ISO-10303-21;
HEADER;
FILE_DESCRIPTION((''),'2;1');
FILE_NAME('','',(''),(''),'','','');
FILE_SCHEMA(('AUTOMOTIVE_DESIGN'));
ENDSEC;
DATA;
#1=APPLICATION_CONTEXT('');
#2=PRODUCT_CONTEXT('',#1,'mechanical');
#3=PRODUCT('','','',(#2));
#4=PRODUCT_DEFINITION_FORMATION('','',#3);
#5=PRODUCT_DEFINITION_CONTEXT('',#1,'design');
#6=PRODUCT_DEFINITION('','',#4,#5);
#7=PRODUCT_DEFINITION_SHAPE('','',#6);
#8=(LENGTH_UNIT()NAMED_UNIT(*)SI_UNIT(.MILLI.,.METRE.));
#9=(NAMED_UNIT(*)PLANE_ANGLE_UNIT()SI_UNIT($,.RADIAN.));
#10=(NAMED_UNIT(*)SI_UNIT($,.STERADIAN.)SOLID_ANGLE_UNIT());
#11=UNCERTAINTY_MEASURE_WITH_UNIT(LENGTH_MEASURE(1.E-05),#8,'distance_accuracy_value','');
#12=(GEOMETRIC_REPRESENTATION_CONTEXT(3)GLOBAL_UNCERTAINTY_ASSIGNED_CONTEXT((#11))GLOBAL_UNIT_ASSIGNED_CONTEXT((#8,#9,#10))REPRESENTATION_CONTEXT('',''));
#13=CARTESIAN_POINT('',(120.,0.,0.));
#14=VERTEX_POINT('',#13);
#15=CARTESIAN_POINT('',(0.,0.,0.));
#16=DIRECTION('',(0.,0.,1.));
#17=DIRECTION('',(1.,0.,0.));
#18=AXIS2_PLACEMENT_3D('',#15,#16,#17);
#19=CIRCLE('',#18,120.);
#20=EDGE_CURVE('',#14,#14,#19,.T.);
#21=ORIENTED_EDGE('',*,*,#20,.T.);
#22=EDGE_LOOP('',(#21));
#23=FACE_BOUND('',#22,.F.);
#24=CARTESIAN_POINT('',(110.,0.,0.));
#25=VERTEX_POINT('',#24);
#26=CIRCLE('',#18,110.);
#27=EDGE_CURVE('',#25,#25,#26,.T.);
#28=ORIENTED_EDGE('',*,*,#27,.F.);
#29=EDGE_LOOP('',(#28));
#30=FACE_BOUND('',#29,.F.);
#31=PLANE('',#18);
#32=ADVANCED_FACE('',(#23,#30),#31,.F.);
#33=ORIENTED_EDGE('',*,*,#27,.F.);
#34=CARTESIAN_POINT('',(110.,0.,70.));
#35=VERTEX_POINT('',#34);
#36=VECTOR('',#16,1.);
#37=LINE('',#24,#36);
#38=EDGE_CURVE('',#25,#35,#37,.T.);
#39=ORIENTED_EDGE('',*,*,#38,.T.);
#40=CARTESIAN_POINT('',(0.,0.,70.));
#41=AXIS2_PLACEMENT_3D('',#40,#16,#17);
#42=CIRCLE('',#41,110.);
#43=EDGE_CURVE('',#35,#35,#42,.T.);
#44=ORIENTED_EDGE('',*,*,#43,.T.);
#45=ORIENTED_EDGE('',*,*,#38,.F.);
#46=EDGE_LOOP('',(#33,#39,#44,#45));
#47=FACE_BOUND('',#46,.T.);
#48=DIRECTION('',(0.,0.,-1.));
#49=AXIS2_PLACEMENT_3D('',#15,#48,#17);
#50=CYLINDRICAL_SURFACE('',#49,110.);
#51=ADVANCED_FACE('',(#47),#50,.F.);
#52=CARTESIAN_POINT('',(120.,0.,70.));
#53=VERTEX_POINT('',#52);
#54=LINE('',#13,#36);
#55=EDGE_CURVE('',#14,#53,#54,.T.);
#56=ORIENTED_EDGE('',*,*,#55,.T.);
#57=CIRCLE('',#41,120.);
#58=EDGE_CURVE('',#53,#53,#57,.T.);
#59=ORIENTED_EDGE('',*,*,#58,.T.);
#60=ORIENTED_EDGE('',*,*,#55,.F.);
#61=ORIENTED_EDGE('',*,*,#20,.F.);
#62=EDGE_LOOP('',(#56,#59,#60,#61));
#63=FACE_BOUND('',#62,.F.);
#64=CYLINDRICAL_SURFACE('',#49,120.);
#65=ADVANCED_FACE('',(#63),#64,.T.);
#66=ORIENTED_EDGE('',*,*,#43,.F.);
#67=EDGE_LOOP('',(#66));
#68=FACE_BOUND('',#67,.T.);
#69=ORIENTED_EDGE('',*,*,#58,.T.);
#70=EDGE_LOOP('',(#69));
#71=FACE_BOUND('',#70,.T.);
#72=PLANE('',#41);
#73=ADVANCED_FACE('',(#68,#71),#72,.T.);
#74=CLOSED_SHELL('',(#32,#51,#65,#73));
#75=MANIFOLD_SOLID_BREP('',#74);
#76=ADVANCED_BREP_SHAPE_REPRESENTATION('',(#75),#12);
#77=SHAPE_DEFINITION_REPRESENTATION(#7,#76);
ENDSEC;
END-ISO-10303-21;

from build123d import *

# Parameters (mm, degrees)
SKETCH_R   = 120
SKETCH_R_2 = 110
PAD_DEPTH  = 70


with BuildPart() as part:
    # Sketch → Pad (new body)
    with BuildSketch(Plane.XY):
        Circle(SKETCH_R)
        Circle(SKETCH_R_2, mode=Mode.SUBTRACT)
    extrude(amount=PAD_DEPTH)


solid = part.part
